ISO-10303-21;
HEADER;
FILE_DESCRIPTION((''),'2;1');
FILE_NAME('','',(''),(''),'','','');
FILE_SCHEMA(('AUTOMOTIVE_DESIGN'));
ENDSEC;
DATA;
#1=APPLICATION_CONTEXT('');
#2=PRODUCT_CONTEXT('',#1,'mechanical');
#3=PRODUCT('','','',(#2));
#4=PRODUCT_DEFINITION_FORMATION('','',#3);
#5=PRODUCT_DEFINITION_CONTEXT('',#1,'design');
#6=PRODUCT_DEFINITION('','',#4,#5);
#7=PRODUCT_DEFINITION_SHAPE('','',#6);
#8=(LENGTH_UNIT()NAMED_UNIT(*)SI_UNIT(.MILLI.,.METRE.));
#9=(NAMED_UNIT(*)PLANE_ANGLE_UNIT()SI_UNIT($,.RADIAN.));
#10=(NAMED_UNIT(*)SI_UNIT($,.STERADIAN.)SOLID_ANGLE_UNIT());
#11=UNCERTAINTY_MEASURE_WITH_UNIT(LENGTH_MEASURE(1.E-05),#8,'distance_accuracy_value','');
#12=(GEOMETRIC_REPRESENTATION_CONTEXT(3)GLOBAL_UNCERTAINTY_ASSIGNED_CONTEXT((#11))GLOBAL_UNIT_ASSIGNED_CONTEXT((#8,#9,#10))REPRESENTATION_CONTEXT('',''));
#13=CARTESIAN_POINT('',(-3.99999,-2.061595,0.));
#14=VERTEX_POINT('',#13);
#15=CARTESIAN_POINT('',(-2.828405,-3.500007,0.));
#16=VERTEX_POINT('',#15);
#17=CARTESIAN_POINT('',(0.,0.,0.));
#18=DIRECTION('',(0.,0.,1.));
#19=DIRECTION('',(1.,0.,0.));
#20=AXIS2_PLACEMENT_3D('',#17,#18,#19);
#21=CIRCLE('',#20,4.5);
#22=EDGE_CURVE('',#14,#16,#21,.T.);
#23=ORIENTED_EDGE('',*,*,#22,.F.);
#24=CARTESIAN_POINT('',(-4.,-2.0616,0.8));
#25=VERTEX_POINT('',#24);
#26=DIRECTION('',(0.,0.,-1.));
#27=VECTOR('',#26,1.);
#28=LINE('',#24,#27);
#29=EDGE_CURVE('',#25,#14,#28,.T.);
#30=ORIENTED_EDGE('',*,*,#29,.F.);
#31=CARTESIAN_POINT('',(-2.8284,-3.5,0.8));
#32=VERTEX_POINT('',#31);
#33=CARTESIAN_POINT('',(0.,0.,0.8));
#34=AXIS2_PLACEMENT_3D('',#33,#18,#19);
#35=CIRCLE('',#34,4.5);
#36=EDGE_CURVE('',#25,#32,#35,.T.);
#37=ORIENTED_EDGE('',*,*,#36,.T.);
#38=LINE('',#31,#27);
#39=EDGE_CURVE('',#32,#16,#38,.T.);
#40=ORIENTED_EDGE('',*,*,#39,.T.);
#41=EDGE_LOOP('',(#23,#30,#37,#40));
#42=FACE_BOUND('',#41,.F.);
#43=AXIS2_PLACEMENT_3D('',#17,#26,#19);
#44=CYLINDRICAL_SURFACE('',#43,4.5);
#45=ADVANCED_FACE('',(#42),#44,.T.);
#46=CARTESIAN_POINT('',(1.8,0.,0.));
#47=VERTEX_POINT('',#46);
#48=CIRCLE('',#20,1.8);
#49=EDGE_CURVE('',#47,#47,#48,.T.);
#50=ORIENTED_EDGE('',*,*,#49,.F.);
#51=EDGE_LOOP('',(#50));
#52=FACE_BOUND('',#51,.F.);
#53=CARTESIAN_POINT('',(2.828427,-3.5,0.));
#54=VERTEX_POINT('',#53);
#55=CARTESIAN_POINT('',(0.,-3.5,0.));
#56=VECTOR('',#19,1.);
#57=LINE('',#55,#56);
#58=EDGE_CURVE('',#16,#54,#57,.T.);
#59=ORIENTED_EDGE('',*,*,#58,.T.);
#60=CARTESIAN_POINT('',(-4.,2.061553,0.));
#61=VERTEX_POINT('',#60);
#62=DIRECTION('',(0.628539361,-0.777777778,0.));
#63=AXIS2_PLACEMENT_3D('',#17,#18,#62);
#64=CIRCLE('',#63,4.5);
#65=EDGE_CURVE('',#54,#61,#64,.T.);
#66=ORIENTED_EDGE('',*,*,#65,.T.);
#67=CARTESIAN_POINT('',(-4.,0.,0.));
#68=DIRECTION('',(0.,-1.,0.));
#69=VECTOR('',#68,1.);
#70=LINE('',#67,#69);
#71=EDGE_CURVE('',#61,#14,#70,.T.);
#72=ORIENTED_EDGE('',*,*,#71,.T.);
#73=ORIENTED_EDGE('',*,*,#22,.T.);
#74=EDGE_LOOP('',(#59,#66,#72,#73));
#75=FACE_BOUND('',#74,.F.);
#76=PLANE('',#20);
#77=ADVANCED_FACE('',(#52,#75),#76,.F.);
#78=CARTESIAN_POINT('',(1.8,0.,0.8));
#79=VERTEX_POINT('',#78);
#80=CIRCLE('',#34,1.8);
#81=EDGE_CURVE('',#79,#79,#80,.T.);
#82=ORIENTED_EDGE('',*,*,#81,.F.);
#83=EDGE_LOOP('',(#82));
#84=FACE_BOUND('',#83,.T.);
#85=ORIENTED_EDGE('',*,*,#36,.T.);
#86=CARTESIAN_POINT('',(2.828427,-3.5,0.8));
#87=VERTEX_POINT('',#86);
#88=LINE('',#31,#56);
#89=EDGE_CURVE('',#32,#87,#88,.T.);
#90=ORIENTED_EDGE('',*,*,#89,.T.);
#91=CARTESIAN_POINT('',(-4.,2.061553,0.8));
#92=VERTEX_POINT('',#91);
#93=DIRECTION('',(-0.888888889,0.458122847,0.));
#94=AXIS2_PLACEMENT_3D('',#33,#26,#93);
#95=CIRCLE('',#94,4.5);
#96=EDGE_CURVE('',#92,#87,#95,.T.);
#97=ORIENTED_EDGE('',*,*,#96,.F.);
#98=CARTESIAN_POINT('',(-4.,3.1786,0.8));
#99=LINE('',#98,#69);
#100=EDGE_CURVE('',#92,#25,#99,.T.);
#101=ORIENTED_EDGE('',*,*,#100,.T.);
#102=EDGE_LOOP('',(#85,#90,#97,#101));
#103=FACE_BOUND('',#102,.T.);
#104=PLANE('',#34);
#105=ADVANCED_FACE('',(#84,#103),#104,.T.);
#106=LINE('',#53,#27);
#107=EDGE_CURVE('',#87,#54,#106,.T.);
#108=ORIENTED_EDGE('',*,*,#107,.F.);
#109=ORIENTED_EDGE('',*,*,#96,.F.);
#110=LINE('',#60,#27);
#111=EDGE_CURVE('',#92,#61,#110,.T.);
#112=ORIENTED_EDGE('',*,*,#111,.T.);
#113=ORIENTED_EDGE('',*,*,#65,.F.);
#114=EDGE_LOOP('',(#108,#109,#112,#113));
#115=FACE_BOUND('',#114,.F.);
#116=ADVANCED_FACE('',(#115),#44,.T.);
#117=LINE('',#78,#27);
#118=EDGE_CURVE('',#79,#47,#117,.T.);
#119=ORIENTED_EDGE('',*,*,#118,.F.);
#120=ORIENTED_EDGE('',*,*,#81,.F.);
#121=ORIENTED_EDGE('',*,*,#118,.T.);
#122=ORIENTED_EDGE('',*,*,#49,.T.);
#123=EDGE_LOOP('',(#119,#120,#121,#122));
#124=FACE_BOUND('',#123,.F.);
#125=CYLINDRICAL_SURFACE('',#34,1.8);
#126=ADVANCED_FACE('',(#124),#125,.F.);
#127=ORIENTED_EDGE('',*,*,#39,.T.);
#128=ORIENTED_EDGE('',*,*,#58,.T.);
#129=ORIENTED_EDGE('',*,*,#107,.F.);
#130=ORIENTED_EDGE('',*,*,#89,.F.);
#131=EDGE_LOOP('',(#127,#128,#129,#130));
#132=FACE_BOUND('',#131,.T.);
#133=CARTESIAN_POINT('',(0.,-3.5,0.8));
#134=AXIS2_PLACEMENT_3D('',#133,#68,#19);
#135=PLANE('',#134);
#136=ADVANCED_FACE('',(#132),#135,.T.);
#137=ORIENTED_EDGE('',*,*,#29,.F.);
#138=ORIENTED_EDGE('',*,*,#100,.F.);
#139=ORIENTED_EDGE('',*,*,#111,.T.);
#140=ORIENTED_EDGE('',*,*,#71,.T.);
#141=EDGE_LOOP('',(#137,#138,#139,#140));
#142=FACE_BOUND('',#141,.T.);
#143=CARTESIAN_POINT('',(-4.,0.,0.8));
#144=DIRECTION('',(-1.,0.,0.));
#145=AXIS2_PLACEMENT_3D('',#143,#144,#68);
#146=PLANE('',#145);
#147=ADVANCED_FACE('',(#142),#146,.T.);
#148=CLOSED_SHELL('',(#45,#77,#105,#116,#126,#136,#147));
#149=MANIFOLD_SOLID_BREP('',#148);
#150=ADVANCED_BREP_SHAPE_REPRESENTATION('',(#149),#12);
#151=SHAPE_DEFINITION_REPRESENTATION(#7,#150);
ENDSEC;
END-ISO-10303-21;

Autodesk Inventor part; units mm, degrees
ref_plane "YZ Plane" through (0, 0, 0) normal (1, 0, 0) x (0, 1, 0)
ref_plane "XZ Plane" through (0, 0, 0) normal (0, 1, 0) x (-1, 0, 0)
ref_plane "XY Plane" through (0, 0, 0) normal (0, 0, 1) x (1, 0, 0)
sketch "Эскиз1" plane through (0, 0, 0) normal (0, 0, 1) x (1, 0, 0)
  circle A0 centre (0, 0) radius 4.5
  dimension "d0" = 9
extrude "Выдавливание1" add sketch "Эскиз1" along normal blind 0.8
sketch "Эскиз2" plane through (0, 0, 0.8) normal (0, 0, 1) x (1, 0, 0)
  circle A0 centre (0, 0) radius 1.8
  dimension "d3" = 3.6
extrude "Выдавливание2" cut sketch "Эскиз2" against normal blind 0.8
sketch "Эскиз3" plane through (0, 0, 0.8) normal (0, 0, 1) x (1, 0, 0)
  line L0 (0, 0) -> (0, -3.5)
  line L1 (0, 0) -> (-4, 0)
  circle A0 centre (0, 0) radius 4.5 projected
  line L2 (-4, -2.0616) -> (-5.2131, -2.0616)
  line L3 (-5.2131, -2.0616) -> (-5.2131, 3.1786)
  line L4 (-5.2131, 3.1786) -> (-4, 3.1786)
  line L5 (-4, 3.1786) -> (-4, -2.0616)
  line L6 (-2.8284, -3.5) -> (4.77, -3.5)
  line L7 (4.77, -3.5) -> (4.77, -5.6057)
  line L8 (4.77, -5.6057) -> (-2.8284, -5.6057)
  line L9 (-2.8284, -5.6057) -> (-2.8284, -3.5)
  dimension "d6" = 3.5
  dimension "d7" = 4
extrude "Выдавливание3" cut sketch "Эскиз3" against normal blind 10 contours L6 A0 | L5 A0 | A0 L6 L7 L8 L9 | L2 L3 L4 L5 A0
properties part number "shayba"
